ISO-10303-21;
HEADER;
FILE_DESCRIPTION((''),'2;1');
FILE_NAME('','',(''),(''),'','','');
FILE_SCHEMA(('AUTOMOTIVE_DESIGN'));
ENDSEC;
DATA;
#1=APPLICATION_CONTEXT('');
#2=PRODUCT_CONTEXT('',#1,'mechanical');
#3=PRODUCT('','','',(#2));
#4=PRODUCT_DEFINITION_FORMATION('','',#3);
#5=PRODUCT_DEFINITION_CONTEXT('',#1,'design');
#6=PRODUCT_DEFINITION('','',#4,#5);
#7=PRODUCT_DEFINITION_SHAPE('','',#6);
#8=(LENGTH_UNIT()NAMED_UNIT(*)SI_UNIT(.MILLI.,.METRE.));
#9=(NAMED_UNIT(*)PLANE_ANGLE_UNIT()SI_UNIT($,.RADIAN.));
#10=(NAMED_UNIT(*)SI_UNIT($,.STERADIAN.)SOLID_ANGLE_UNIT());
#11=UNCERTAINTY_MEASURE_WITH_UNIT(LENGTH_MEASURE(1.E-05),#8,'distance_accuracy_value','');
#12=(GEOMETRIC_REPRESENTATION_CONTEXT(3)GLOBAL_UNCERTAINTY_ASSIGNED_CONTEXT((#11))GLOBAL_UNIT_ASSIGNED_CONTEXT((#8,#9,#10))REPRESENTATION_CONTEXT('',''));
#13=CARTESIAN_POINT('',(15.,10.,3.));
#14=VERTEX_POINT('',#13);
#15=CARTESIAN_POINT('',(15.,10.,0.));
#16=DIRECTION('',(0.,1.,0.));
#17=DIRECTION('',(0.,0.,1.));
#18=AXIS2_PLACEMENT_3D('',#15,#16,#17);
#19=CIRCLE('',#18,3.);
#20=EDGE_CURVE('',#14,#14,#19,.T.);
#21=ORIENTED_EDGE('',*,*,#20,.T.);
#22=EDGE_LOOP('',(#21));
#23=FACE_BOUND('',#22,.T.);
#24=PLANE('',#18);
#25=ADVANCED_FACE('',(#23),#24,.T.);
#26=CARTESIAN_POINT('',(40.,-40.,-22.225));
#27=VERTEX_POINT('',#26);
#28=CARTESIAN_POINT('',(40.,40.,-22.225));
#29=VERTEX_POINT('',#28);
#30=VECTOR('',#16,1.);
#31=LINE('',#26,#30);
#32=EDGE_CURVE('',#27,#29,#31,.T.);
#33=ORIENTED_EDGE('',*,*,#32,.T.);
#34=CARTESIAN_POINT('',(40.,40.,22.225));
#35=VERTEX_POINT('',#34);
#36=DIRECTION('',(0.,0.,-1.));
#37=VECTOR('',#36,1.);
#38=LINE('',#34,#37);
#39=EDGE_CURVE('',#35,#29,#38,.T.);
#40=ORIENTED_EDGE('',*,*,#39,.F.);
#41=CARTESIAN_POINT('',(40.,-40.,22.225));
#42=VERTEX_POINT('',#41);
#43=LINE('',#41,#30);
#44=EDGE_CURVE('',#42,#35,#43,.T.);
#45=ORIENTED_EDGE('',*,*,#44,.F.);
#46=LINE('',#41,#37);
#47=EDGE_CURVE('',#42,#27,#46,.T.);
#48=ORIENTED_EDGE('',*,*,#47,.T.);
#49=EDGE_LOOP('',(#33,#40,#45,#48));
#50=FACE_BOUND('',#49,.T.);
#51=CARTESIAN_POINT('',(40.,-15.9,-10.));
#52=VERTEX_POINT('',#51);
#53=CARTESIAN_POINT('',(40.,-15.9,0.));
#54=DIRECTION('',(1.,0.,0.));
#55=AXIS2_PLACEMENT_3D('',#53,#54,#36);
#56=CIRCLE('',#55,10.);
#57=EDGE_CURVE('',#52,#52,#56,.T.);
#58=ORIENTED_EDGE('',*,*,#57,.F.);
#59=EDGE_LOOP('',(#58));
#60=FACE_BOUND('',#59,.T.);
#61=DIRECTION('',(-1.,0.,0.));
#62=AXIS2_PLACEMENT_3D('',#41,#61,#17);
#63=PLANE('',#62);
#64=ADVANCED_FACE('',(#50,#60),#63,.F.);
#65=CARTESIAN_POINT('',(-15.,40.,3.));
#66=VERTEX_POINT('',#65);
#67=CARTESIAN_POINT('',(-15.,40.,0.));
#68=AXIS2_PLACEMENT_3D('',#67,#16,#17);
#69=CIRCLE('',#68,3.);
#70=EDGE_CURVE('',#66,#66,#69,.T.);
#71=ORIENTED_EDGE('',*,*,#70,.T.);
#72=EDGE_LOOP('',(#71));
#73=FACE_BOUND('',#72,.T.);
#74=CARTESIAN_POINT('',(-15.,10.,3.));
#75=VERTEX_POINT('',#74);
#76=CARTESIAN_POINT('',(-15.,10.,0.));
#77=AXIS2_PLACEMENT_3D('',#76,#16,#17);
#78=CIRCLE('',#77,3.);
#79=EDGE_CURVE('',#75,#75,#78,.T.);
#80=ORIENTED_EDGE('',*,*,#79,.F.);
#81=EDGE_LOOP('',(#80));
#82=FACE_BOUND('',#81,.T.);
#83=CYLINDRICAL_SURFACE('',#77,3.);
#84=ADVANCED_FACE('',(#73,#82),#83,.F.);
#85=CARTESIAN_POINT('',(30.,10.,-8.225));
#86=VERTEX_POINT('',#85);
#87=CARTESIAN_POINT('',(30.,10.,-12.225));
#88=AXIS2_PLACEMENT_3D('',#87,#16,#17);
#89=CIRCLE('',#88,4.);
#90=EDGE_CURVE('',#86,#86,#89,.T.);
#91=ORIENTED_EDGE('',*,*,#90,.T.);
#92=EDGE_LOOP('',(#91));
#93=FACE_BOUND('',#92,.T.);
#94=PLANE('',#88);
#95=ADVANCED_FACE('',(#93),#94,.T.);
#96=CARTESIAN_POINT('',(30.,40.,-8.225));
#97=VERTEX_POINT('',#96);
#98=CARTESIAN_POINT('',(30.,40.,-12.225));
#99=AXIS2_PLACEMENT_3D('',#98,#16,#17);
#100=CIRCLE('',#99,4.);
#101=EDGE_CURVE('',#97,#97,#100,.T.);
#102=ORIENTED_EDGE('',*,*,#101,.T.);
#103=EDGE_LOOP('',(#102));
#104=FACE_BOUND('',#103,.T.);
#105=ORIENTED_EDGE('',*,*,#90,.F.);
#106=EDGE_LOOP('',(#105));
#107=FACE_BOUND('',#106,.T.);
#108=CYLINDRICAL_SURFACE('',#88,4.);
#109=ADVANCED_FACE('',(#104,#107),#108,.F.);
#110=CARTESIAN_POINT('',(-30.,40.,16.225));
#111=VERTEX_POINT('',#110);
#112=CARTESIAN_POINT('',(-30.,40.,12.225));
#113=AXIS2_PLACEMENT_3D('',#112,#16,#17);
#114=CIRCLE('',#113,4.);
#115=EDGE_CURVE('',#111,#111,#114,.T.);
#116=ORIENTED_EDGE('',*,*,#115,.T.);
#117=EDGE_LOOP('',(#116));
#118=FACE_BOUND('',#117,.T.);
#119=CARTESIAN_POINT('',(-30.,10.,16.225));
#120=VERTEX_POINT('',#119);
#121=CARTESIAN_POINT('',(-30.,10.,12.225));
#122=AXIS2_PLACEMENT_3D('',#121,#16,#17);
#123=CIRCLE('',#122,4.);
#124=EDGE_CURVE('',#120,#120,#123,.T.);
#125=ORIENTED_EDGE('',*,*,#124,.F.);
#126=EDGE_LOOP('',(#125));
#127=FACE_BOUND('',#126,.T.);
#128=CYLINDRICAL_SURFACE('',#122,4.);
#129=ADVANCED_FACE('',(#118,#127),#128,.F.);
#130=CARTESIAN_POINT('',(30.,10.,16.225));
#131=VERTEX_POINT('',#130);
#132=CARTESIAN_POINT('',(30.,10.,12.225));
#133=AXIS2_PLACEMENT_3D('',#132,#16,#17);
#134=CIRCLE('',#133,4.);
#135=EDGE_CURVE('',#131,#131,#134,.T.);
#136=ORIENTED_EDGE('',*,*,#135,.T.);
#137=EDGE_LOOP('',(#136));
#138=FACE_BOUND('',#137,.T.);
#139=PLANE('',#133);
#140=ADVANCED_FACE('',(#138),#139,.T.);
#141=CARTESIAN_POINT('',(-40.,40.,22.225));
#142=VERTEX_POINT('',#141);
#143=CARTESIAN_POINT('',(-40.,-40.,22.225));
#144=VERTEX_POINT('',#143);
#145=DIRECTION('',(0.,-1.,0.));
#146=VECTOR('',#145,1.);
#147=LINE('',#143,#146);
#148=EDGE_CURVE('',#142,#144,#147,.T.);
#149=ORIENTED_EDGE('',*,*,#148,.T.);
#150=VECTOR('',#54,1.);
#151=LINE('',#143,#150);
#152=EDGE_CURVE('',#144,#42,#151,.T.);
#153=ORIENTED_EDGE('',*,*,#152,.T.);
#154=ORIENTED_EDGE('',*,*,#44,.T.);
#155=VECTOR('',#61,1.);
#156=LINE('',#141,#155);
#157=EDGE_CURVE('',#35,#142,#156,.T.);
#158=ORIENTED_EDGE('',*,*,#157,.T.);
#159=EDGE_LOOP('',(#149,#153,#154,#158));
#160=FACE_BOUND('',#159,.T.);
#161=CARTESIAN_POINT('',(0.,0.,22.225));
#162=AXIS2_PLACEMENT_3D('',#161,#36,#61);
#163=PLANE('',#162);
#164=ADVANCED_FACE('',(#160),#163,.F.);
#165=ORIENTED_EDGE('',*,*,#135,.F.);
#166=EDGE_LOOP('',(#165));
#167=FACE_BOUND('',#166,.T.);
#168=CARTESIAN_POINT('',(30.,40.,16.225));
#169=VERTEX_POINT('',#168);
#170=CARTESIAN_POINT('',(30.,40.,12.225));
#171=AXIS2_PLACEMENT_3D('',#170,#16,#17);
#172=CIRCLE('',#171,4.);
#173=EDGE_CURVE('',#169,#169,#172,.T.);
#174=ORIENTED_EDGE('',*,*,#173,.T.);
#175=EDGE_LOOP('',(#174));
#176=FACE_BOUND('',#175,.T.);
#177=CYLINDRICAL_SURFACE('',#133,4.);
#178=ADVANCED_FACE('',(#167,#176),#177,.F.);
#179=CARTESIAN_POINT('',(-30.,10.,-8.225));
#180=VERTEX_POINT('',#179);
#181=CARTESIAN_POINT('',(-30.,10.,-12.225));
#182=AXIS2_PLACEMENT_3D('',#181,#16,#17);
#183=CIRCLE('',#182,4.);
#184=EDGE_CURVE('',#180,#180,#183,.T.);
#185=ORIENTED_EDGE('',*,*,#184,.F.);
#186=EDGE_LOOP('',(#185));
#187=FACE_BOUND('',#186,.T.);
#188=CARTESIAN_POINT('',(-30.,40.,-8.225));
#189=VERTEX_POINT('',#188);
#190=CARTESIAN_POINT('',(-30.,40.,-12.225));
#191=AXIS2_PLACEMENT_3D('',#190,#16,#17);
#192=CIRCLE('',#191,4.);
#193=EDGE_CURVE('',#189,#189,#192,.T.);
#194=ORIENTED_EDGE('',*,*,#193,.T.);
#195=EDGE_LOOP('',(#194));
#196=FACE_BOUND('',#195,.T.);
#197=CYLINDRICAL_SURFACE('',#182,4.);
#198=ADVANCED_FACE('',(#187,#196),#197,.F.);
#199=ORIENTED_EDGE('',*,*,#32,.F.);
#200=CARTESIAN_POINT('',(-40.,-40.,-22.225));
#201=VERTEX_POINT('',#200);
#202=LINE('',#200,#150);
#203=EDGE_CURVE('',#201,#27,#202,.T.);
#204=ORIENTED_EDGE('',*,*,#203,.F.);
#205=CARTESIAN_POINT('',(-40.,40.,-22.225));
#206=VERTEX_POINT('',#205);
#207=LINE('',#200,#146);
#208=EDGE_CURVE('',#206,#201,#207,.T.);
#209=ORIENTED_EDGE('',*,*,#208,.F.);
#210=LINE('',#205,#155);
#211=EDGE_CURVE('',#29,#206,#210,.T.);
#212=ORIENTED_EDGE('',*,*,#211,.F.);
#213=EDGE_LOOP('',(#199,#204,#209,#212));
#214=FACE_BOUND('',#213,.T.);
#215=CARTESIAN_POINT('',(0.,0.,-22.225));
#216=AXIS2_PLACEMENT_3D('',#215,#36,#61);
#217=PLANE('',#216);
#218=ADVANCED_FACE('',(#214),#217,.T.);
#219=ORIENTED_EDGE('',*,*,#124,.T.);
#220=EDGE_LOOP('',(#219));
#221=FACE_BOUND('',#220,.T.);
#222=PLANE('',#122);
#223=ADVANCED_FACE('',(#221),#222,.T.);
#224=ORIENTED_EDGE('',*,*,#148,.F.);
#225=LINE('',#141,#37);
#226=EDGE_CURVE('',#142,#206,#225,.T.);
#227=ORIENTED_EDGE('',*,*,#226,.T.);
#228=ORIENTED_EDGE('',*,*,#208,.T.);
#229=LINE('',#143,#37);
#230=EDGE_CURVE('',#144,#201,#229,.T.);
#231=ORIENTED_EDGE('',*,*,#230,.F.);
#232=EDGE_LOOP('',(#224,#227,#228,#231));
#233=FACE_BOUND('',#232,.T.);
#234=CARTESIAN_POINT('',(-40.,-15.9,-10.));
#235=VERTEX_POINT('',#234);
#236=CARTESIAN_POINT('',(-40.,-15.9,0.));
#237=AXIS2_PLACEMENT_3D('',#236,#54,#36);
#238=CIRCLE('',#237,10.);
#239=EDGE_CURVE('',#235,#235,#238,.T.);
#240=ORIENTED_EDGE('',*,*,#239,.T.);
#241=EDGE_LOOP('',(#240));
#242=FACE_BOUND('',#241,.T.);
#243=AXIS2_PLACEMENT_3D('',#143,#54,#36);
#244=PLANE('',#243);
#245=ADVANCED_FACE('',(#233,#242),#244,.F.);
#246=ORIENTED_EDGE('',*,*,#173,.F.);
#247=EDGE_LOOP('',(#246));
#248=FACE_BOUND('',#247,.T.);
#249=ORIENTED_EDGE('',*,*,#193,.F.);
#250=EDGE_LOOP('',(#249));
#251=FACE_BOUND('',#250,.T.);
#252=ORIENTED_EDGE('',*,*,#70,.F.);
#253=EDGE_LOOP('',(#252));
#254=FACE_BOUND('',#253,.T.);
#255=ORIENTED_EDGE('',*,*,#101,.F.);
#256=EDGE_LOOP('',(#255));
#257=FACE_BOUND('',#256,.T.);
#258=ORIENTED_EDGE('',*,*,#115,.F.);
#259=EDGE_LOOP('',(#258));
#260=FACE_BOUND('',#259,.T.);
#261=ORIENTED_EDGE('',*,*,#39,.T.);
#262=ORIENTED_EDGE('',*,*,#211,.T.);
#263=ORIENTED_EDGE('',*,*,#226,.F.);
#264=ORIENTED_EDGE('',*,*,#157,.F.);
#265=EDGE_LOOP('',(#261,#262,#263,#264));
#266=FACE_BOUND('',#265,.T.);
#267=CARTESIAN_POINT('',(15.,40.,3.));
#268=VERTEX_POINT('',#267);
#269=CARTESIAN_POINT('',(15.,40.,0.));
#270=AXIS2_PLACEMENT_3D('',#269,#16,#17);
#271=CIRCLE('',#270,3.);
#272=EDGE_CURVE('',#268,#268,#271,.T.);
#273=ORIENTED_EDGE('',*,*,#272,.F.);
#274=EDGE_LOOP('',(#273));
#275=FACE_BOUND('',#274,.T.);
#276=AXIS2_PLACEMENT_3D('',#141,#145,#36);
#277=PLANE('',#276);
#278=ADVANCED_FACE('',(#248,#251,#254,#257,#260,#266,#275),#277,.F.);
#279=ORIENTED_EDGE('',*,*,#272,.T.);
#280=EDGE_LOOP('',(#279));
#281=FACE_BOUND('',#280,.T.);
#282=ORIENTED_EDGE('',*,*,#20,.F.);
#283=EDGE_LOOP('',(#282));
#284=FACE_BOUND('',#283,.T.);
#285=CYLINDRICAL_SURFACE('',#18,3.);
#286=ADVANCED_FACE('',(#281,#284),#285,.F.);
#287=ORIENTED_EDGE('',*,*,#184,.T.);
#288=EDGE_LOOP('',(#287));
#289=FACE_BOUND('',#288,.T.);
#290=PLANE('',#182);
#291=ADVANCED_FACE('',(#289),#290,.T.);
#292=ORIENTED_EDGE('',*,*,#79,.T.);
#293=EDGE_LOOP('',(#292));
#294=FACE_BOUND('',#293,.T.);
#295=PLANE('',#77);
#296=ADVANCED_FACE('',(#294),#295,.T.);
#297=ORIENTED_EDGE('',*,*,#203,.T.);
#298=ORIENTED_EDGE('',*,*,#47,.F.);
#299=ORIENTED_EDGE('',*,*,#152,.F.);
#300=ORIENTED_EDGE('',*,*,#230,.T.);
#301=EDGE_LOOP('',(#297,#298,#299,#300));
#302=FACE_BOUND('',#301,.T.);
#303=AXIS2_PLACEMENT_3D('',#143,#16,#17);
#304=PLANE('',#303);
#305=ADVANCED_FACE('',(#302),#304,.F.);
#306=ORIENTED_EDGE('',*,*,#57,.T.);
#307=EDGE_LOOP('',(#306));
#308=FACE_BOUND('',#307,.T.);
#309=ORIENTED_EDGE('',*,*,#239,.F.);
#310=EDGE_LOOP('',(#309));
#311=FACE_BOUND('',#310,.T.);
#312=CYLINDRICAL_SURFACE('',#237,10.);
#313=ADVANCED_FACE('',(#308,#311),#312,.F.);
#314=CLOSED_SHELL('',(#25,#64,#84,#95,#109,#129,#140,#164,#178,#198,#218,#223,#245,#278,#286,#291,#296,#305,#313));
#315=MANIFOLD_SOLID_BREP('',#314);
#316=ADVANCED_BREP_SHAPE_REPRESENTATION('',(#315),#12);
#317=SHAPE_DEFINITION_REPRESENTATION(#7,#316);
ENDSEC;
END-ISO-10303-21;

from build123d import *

# Parameters (mm, degrees)
ESBO_O2_W                = 80
ESBO_O2_H                = 80
RESSALTO_EXTRUS_O2_DEPTH = 22.225
ESBO_O10_R               = 4
ESBO_O10_R_2             = 3
CORTE_EXTRUS_O5_DEPTH    = 30
ESBO_O12_R               = 10
CORTE_EXTRUS_O7_DEPTH    = 81


with BuildPart() as part:
    # Esboço2 → Ressalto-extrusão2 (new body, symmetric)
    with BuildSketch(Plane.XY):
        Rectangle(ESBO_O2_W, ESBO_O2_H)
    extrude(amount=RESSALTO_EXTRUS_O2_DEPTH, both=True)

    # Esboço10 → Corte-extrusão5 (cut)
    with BuildSketch(Plane(origin=(0, 40, 0), x_dir=(1, 0, 0), z_dir=(0, 1, 0))):
        with Locations((30, -12.225)):
            Circle(ESBO_O10_R)
        with Locations((30, 12.225)):
            Circle(ESBO_O10_R)
        with Locations((-30, -12.225)):
            Circle(ESBO_O10_R)
        with Locations((-30, 12.225)):
            Circle(ESBO_O10_R)
        with Locations((15, 0)):
            Circle(ESBO_O10_R_2)
        with Locations((-15, 0)):
            Circle(ESBO_O10_R_2)
    extrude(amount=-CORTE_EXTRUS_O5_DEPTH, mode=Mode.SUBTRACT)

    # Esboço12 → Corte-extrusão7 (cut, through all)
    with BuildSketch(Plane(origin=(40, 0, 0), x_dir=(0, 0, -1), z_dir=(1, 0, 0))):
        with Locations((0, -15.9)):
            Circle(ESBO_O12_R)
    extrude(amount=-CORTE_EXTRUS_O7_DEPTH, mode=Mode.SUBTRACT)


solid = part.part
